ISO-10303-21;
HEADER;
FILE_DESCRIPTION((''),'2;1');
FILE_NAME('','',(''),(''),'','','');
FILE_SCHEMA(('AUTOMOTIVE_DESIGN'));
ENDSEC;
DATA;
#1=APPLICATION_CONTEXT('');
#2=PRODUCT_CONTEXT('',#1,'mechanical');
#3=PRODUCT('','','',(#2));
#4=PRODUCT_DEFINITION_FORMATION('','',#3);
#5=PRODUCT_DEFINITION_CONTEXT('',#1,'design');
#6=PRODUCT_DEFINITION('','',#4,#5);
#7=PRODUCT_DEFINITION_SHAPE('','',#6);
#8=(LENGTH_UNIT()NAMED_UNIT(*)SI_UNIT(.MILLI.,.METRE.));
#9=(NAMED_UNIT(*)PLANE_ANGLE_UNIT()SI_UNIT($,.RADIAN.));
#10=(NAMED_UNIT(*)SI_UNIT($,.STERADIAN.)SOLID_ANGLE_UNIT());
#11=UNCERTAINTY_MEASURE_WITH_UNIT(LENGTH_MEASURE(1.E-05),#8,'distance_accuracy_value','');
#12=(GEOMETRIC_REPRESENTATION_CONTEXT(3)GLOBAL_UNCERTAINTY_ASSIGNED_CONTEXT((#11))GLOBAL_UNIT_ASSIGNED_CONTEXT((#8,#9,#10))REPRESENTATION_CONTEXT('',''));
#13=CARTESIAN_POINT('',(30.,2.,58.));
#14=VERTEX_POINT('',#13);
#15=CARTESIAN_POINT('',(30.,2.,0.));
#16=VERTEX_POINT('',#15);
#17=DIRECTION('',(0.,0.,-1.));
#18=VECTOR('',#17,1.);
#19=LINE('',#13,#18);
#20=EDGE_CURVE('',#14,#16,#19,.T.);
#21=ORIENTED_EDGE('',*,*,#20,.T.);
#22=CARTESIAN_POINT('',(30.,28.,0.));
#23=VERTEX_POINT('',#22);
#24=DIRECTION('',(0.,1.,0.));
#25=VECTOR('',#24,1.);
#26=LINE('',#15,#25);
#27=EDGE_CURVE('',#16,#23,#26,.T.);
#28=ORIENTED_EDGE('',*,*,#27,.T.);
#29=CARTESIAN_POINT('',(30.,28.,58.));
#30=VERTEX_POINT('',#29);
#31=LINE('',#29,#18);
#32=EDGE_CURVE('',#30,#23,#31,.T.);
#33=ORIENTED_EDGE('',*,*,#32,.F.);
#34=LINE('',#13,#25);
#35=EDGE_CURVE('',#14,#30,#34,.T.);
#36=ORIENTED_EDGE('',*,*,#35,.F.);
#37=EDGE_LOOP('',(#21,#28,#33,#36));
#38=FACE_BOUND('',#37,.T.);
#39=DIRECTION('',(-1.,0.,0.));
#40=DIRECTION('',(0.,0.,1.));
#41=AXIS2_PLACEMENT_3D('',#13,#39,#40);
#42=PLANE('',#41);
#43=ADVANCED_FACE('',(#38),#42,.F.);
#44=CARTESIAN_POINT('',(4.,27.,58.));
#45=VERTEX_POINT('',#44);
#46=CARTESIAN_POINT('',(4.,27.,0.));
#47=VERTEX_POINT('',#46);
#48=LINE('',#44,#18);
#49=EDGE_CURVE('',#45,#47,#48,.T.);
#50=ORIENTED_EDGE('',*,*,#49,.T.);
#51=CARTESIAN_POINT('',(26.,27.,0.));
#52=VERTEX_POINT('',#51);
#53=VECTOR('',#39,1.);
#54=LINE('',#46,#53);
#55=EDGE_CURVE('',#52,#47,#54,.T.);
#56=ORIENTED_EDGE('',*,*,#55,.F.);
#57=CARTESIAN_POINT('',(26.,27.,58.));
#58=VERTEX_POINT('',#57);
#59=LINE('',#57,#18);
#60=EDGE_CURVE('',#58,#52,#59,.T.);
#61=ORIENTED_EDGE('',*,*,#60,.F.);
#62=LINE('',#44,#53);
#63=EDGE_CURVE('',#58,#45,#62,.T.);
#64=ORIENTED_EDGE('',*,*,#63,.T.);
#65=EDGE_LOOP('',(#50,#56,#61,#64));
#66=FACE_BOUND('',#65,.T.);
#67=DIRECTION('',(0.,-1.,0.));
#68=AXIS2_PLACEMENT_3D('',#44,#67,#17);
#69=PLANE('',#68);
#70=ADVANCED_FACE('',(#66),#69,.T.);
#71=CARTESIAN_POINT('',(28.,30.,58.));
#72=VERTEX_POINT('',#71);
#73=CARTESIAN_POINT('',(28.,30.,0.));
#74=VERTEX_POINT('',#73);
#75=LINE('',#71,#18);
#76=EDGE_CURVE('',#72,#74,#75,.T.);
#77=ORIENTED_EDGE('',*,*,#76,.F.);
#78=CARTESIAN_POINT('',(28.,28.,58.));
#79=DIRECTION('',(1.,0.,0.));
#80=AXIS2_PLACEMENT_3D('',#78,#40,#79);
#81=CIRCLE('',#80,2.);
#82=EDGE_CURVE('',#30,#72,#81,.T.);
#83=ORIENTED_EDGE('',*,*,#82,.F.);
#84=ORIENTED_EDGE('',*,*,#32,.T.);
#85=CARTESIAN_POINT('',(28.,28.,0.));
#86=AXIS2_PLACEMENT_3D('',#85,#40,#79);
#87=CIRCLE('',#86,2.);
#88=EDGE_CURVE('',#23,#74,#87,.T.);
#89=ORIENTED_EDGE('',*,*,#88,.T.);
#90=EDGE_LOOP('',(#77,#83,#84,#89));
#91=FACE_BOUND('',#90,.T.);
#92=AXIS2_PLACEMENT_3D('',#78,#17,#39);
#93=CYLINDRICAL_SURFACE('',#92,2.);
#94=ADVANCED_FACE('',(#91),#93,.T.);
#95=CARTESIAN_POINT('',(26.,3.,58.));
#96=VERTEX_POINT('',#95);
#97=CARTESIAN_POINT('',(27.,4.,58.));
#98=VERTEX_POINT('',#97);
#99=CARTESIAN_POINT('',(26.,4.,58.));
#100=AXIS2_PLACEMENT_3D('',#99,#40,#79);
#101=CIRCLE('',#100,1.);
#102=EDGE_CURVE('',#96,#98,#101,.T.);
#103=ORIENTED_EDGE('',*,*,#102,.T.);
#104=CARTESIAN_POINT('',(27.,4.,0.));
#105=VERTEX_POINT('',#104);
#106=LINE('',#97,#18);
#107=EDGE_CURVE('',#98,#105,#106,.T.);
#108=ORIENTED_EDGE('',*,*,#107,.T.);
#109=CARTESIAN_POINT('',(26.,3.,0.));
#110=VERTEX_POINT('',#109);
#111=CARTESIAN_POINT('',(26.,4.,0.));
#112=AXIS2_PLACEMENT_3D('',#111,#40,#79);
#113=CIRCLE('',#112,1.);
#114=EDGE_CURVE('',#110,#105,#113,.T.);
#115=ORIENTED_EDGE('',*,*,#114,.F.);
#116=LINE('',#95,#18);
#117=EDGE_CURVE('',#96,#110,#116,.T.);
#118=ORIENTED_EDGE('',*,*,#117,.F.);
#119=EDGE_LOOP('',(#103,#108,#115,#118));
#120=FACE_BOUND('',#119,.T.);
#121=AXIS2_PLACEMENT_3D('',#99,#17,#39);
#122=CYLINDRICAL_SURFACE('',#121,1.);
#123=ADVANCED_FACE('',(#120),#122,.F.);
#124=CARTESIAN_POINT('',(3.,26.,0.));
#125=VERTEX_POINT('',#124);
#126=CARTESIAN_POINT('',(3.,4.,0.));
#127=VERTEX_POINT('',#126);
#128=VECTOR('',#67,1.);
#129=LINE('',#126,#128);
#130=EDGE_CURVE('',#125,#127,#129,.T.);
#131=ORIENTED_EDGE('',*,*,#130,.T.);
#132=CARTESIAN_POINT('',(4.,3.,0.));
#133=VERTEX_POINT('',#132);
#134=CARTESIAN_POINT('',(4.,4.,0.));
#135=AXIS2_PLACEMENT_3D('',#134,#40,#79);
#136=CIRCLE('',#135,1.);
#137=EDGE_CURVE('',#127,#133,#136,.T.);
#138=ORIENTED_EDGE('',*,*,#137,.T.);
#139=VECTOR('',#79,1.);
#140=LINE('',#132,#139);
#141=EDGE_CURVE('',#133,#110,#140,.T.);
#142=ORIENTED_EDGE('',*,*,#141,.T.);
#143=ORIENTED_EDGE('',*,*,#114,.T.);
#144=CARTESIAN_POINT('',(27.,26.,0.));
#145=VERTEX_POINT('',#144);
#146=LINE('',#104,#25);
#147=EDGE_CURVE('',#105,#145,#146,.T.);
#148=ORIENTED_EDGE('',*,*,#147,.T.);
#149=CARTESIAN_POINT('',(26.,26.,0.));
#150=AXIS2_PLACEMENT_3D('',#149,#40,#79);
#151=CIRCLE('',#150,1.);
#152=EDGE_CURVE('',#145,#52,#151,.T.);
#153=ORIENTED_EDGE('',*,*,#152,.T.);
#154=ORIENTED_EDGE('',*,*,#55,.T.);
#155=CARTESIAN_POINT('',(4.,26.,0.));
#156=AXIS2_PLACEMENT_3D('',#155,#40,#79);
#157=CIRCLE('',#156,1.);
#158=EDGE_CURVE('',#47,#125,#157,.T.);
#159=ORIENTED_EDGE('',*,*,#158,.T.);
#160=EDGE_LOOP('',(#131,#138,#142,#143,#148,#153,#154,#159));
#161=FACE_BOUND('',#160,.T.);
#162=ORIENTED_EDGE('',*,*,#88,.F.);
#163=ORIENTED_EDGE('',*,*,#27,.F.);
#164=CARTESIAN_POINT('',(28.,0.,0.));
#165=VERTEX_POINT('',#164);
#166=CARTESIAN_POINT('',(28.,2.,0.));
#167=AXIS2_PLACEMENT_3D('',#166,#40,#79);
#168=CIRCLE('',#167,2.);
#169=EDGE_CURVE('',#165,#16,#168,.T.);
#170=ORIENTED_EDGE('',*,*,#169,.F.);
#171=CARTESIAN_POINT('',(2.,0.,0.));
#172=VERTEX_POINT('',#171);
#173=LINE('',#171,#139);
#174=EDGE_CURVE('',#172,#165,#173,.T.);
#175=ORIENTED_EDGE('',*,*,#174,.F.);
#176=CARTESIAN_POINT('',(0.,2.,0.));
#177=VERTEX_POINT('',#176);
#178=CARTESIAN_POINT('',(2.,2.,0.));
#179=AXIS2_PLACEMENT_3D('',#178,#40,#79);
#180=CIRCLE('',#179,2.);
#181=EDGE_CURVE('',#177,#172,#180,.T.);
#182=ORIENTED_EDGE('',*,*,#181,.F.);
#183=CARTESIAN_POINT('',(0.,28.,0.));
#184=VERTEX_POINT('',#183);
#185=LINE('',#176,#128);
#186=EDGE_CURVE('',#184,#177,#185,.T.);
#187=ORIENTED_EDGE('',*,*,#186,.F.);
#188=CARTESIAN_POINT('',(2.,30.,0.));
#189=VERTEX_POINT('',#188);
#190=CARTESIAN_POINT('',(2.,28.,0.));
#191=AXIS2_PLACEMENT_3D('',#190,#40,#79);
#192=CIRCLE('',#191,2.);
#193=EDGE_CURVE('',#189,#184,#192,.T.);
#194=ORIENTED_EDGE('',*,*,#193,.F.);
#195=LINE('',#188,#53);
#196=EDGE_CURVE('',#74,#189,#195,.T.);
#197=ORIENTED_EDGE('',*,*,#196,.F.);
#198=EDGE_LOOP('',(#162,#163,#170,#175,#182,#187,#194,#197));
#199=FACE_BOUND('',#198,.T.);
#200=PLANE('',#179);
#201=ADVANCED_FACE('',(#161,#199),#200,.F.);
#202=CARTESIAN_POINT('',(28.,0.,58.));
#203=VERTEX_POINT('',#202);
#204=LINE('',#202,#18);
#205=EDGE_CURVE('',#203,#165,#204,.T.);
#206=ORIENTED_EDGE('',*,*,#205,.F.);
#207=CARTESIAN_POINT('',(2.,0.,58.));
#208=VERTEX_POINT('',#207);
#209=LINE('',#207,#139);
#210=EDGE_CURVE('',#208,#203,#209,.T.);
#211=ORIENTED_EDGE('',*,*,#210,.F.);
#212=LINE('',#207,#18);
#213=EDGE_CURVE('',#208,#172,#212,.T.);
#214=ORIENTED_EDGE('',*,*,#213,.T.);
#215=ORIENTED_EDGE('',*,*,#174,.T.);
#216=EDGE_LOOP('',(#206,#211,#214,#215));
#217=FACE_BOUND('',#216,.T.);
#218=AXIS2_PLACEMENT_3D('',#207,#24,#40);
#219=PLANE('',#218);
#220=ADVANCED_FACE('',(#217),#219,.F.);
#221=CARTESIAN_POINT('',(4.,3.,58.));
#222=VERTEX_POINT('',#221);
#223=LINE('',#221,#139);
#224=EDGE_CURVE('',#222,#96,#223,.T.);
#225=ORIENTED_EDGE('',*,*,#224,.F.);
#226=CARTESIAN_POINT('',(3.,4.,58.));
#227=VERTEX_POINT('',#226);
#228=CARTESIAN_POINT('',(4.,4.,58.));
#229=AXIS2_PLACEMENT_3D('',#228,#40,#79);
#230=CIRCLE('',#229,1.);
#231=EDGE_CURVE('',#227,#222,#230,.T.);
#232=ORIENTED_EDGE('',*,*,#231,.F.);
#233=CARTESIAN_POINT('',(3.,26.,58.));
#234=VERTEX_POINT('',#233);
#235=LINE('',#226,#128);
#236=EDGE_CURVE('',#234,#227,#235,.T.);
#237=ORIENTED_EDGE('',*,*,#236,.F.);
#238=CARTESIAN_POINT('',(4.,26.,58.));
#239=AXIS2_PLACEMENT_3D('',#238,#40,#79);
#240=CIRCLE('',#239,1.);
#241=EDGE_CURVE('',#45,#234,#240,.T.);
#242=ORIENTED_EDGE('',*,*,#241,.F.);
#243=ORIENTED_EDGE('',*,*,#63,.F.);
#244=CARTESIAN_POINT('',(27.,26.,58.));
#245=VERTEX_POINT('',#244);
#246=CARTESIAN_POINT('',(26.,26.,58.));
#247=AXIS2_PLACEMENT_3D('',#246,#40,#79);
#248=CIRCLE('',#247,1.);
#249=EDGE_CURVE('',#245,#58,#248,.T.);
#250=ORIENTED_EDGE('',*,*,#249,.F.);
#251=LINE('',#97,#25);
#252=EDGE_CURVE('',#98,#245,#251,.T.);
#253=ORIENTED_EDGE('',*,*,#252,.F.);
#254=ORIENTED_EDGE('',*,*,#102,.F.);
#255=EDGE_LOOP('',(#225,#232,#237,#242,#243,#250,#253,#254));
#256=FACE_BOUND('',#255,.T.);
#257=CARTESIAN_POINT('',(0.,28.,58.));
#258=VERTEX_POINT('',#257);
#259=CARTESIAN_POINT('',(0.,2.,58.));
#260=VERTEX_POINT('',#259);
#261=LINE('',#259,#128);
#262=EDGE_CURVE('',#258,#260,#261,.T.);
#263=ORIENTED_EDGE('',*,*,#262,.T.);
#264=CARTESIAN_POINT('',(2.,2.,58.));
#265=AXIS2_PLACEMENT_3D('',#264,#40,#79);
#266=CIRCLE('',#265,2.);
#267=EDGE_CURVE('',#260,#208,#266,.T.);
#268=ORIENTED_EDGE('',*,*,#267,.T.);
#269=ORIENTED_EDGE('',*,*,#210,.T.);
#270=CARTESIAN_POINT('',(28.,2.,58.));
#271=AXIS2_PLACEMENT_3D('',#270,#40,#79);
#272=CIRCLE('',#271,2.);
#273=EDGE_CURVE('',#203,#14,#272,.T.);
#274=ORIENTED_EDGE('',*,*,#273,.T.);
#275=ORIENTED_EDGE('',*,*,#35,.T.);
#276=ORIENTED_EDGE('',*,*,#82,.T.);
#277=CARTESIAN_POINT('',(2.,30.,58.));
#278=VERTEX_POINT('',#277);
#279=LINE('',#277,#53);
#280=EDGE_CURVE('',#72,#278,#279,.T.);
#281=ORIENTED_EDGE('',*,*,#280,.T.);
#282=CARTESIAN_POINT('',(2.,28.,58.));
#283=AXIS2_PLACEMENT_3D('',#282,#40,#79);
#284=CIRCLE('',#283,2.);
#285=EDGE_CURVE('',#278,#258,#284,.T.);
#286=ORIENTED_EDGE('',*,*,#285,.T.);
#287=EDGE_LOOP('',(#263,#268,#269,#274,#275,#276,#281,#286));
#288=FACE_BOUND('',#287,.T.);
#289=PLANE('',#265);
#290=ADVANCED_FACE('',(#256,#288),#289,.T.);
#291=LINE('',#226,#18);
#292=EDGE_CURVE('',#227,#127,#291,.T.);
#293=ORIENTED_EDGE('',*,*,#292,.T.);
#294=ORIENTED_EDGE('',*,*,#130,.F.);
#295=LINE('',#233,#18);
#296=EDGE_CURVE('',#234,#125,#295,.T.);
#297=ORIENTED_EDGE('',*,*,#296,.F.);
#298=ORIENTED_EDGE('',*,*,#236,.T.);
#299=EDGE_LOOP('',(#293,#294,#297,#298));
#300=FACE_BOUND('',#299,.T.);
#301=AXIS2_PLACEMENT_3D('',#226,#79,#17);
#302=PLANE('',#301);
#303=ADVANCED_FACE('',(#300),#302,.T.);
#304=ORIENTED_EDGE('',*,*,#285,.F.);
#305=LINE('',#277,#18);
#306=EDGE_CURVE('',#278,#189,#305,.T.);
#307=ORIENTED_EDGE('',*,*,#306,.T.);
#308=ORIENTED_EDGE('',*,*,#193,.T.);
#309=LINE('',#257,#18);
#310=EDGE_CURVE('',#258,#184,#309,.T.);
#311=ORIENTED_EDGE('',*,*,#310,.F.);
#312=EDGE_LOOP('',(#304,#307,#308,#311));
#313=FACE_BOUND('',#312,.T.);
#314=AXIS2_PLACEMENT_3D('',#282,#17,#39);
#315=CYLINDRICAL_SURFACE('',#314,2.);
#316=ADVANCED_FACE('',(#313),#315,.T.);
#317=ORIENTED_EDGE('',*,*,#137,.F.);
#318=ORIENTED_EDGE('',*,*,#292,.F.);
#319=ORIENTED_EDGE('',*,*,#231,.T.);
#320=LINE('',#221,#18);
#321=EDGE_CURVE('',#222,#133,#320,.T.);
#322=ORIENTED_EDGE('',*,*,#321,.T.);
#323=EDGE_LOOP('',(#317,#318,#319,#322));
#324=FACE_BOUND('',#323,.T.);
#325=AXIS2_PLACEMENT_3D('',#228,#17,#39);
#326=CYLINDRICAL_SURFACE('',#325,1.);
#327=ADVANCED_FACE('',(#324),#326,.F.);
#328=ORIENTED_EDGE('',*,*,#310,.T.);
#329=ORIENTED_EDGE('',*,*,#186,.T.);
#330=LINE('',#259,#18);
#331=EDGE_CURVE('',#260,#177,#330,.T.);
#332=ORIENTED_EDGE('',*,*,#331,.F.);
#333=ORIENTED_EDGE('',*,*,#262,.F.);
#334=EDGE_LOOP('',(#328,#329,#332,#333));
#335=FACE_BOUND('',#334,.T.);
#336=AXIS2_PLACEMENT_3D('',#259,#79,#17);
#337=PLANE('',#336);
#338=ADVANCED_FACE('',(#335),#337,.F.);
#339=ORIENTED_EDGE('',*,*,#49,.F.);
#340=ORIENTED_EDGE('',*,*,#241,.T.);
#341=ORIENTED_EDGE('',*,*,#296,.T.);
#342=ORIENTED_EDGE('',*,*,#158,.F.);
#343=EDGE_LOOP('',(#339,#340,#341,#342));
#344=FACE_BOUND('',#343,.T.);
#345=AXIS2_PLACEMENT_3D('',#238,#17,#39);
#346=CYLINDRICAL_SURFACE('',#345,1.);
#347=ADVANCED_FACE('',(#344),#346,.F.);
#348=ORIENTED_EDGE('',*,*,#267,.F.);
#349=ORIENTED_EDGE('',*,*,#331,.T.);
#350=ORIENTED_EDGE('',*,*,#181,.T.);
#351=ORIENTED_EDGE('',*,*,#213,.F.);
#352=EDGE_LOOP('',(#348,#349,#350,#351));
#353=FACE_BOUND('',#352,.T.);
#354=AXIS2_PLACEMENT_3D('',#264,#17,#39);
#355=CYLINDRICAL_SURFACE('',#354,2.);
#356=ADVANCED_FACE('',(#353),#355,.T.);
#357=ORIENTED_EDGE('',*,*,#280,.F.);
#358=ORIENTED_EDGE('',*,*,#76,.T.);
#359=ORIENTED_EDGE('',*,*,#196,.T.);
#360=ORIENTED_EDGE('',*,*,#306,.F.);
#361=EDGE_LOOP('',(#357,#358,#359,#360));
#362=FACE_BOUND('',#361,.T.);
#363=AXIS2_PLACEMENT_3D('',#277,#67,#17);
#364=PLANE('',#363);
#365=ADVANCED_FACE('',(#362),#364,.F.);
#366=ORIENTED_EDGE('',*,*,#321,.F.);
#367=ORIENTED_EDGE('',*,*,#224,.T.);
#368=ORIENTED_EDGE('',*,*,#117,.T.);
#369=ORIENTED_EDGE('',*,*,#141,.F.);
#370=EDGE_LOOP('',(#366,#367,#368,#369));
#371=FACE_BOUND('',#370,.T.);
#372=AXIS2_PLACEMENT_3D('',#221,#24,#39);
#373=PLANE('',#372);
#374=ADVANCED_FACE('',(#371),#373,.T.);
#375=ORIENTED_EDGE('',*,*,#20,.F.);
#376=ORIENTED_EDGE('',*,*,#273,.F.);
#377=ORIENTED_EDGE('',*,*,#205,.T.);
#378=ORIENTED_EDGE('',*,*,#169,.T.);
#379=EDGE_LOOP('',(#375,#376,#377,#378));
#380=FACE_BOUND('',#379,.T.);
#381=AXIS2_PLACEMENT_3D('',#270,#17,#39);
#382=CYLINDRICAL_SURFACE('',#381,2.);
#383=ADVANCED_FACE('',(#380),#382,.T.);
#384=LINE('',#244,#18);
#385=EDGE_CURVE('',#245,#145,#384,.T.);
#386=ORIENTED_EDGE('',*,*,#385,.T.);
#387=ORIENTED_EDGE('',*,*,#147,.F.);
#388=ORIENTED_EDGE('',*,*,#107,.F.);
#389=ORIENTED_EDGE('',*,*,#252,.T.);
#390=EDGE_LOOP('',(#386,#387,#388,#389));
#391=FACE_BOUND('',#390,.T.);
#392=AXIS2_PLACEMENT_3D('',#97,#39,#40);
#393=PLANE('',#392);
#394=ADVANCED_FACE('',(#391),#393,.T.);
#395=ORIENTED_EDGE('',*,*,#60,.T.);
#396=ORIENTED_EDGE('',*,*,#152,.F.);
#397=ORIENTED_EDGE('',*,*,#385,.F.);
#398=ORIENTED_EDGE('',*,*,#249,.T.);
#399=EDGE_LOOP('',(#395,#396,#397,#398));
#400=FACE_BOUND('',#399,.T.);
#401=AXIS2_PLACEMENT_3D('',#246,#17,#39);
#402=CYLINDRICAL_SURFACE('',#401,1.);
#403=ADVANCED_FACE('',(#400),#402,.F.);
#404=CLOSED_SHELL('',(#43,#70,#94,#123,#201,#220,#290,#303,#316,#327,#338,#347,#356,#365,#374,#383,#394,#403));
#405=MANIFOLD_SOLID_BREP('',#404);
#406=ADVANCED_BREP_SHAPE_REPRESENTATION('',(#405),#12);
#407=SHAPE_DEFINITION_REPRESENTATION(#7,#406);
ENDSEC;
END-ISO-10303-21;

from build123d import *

# Parameters (mm, degrees)
DODANIE_WYCI_GNI_CIE1_DEPTH = 58


with BuildPart() as part:
    # Szkic1 → Dodanie-wyciągnięcie1 (new body)
    with BuildSketch(Plane.XY):
        with BuildLine():
            Line((2, 0), (28, 0))
            ThreePointArc((28, 0), (29.414213562, 0.585786438), (30, 2))
            Line((30, 2), (30, 28))
            ThreePointArc((30, 28), (29.414213562, 29.414213562), (28, 30))
            Line((28, 30), (2, 30))
            ThreePointArc((2, 30), (0.585786438, 29.414213562), (0, 28))
            Line((0, 28), (0, 2))
            ThreePointArc((0, 2), (0.585786438, 0.585786438), (2, 0))
        make_face()
        with BuildLine():
            Line((4, 3), (26, 3))
            ThreePointArc((26, 3), (26.707106781, 3.292893219), (27, 4))
            Line((27, 4), (27, 26))
            ThreePointArc((27, 26), (26.707106781, 26.707106781), (26, 27))
            Line((26, 27), (4, 27))
            ThreePointArc((4, 27), (3.292893219, 26.707106781), (3, 26))
            Line((3, 26), (3, 4))
            ThreePointArc((3, 4), (3.292893219, 3.292893219), (4, 3))
        make_face(mode=Mode.SUBTRACT)
    extrude(amount=DODANIE_WYCI_GNI_CIE1_DEPTH)


solid = part.part
